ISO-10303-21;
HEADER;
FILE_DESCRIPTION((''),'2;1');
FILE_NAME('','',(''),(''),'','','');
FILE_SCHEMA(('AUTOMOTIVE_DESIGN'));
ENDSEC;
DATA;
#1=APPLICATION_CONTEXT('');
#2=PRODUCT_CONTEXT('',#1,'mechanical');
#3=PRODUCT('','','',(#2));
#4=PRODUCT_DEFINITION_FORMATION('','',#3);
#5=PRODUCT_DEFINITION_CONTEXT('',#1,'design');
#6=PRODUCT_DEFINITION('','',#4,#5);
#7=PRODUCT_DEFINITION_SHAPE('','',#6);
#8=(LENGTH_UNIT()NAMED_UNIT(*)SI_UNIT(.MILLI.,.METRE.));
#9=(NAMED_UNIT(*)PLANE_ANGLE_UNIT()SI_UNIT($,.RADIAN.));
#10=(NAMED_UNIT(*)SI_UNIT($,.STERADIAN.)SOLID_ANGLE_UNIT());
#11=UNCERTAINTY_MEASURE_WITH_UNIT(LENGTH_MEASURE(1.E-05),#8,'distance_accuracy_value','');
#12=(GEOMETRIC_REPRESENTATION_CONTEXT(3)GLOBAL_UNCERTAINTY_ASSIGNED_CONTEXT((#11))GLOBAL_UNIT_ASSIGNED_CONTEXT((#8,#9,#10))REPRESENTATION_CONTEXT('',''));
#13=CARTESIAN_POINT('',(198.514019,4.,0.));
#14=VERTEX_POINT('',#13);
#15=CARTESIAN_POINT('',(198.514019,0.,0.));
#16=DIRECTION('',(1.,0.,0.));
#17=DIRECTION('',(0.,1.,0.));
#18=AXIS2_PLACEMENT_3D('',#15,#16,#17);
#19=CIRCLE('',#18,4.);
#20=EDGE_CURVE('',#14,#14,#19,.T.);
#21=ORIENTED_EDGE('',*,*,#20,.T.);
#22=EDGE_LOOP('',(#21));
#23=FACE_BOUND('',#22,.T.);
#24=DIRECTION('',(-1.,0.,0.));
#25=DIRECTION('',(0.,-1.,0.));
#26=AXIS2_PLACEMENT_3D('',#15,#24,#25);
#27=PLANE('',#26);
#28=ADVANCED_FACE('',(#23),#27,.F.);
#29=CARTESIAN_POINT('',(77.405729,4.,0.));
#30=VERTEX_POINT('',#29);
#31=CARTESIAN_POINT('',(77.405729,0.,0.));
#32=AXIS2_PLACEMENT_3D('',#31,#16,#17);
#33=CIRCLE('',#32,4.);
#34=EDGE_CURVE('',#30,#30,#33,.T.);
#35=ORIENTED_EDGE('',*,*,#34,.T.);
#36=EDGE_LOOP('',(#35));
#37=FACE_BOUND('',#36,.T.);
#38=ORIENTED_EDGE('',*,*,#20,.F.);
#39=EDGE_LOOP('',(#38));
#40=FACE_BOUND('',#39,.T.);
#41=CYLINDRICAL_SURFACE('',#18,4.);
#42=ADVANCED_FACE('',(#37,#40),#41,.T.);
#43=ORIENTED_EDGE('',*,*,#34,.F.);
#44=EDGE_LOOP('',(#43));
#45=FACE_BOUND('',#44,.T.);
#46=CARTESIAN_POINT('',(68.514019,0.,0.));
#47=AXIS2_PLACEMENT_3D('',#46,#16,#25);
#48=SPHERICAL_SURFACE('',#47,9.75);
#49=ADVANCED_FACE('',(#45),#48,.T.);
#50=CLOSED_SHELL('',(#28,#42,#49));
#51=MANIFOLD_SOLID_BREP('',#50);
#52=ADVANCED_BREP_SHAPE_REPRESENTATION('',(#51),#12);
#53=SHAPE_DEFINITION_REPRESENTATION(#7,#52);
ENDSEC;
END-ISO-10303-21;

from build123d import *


with BuildPart() as part:
    # Sketch1 → Revolve1 (revolve)
    with BuildSketch(Plane.XY):
        with BuildLine():
            Line((198.514019246, 0), (198.514019246, -4))
            Line((198.514019246, -4), (77.405728868, -4))
            ThreePointArc((77.405728868, -4), (66.46849594, -9.533012871), (58.764019246, 0))
            Line((58.764019246, 0), (198.514019246, 0))
        make_face()
    revolve(axis=Axis((198.514019246, 0, 0), (-1, 0, 0)))


solid = part.part
